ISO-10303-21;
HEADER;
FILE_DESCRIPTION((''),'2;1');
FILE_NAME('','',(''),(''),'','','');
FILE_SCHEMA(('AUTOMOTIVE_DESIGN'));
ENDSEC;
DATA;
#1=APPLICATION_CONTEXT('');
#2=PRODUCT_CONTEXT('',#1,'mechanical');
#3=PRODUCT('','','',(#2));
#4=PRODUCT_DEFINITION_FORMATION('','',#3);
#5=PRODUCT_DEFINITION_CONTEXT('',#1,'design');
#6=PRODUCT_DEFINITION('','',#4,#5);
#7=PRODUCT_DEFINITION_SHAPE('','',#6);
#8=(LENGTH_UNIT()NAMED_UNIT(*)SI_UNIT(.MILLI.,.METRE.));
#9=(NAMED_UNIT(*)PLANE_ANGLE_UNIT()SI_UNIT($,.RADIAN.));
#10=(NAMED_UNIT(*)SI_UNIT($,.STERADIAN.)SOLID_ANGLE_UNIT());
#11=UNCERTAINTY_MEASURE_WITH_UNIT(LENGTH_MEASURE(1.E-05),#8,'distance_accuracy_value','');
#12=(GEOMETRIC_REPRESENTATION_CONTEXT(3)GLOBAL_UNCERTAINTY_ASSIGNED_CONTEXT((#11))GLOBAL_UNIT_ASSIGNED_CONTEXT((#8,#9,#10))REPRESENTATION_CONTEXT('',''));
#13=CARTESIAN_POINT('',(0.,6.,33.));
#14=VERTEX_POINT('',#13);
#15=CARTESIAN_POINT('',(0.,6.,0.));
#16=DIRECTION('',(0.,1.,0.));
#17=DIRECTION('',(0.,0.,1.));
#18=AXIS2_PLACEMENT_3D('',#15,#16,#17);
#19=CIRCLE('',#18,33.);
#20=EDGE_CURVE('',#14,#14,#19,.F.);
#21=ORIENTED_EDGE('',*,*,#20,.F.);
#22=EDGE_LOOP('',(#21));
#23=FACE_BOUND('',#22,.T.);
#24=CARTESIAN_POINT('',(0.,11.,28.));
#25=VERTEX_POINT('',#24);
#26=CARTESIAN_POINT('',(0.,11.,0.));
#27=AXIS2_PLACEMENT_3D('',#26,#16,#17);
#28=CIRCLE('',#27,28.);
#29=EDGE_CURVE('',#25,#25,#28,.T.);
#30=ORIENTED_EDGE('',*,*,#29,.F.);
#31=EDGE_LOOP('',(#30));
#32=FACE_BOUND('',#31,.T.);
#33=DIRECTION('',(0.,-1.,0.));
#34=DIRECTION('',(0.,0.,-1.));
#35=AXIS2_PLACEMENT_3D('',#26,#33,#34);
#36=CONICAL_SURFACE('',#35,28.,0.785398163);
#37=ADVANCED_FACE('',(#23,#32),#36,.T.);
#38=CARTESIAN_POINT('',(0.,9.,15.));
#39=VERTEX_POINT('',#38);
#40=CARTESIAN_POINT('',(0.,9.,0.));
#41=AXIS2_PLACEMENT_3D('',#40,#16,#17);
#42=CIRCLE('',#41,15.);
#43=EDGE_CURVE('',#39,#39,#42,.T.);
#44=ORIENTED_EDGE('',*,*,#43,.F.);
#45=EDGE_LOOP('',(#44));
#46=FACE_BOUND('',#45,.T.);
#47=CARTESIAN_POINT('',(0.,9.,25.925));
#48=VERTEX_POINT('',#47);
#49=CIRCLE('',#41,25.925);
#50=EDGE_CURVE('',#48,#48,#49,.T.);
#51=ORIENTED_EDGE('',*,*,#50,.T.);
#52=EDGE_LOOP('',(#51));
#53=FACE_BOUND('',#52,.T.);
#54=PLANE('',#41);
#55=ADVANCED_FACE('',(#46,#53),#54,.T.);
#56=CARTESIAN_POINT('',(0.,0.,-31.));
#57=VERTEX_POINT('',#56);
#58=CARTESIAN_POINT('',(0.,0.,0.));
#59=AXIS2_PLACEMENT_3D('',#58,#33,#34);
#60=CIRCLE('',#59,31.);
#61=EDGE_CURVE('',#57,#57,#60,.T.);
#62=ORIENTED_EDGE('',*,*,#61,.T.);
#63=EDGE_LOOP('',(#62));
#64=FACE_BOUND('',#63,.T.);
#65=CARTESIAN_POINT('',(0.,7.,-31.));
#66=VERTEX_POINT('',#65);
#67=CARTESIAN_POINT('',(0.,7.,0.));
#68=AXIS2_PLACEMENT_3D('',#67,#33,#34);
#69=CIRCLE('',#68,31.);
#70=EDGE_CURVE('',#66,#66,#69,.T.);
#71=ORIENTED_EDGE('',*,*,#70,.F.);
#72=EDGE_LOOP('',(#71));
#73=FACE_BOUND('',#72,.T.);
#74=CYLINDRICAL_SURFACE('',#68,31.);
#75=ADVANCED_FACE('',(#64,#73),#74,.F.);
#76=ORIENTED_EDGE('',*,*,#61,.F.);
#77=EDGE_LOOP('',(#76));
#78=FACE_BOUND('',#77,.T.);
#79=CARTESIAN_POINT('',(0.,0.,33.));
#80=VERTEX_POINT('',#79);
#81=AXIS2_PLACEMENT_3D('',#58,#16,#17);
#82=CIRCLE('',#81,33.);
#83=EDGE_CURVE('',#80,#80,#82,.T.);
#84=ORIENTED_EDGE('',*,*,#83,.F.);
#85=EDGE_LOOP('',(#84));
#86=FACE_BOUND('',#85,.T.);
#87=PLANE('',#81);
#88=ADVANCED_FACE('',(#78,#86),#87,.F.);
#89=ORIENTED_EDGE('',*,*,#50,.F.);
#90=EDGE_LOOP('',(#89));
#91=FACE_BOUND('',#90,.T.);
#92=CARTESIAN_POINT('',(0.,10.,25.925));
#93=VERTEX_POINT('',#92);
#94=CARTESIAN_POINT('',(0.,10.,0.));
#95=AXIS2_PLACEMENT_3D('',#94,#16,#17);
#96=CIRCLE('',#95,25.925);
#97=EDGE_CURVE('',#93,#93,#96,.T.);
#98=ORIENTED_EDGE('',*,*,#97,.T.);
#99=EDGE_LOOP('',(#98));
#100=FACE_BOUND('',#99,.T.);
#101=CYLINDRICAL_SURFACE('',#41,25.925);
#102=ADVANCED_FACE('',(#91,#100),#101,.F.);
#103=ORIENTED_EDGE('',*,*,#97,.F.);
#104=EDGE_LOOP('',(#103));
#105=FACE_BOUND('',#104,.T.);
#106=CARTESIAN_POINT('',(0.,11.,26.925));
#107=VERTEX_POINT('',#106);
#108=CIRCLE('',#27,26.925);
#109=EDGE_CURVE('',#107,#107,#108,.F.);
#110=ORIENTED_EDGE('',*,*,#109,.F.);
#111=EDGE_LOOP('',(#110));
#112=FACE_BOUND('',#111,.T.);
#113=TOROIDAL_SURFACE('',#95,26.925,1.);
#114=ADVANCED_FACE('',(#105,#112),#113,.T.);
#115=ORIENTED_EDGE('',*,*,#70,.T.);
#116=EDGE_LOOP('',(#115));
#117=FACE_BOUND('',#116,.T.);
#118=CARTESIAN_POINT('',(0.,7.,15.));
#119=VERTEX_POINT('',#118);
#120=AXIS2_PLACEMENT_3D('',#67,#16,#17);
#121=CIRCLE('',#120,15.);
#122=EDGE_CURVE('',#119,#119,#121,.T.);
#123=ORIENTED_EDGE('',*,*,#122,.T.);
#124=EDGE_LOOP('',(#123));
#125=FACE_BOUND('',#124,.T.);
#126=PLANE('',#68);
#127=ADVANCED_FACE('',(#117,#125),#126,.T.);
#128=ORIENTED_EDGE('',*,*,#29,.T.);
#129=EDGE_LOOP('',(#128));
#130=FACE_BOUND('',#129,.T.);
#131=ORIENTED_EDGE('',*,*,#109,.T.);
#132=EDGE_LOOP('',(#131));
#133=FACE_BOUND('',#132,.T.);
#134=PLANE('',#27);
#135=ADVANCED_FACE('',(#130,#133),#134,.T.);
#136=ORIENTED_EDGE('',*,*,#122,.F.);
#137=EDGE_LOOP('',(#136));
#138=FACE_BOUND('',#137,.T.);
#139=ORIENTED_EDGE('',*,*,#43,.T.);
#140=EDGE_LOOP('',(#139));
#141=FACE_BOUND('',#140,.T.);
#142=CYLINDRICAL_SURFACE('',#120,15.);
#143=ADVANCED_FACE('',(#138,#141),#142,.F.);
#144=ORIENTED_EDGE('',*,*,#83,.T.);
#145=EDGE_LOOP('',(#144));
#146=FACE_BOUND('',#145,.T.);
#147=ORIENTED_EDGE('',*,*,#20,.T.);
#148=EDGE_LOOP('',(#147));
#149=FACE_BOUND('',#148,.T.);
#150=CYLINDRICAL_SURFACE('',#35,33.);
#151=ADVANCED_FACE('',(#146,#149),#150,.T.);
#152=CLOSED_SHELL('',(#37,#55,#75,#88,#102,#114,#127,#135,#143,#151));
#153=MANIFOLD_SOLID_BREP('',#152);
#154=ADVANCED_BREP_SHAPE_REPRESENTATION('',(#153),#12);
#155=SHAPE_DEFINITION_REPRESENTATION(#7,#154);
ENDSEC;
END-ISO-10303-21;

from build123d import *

# Parameters (mm, degrees)
IZIM1_R                     = 33
Y_KSEKLIK_EKSTR_ZYON1_DEPTH = 11
IZIM3_R                     = 31
KES_EKSTR_ZYON1_DEPTH       = 7
IZIM4_R                     = 25.925
KES_EKSTR_ZYON2_DEPTH       = 2
RADYUS2_R                   = 1
PAH1_SIZE                   = 5
IZIM5_R                     = 15
KES_EKSTR_ZYON3_DEPTH       = 2


with BuildPart() as part:
    # Çizim1 → Yükseklik-Ekstrüzyon1 (new body)
    with BuildSketch(Plane(origin=(0, 0, 0), x_dir=(1, 0, 0), z_dir=(0, 1, 0))):
        with Locations(Location((0, 0, 0), (0, 0, 270))):
            Circle(IZIM1_R)
    extrude(amount=Y_KSEKLIK_EKSTR_ZYON1_DEPTH)

    # Çizim3 → Kes-Ekstrüzyon1 (cut)
    with BuildSketch(Plane.XZ):
        with Locations(Location((0, 0, 0), (0, 0, 270))):
            Circle(IZIM3_R)
    extrude(amount=-KES_EKSTR_ZYON1_DEPTH, mode=Mode.SUBTRACT)

    # Çizim4 → Kes-Ekstrüzyon2 (cut)
    with BuildSketch(Plane(origin=(0, 11, 0), x_dir=(1, 0, 0), z_dir=(0, 1, 0))):
        with Locations(Location((0, 0, 0), (0, 0, 270))):
            Circle(IZIM4_R)
    extrude(amount=-KES_EKSTR_ZYON2_DEPTH, mode=Mode.SUBTRACT)

    # Radyus2
    radyus2_edges = [part.edges().sort_by_distance(p)[0] for p in [
        (0, 11, -25.925),
    ]]
    fillet(radyus2_edges, radius=RADYUS2_R)

    # Pah1
    pah1_edges = [part.edges().sort_by_distance(p)[0] for p in [
        (0, 11, -33),
    ]]
    chamfer(pah1_edges, length=PAH1_SIZE)

    # Çizim5 → Kes-Ekstrüzyon3 (cut)
    with BuildSketch(Plane(origin=(0, 9, 0), x_dir=(1, 0, 0), z_dir=(0, 1, 0))):
        with Locations(Location((0, 0, 0), (0, 0, 270))):
            Circle(IZIM5_R)
    extrude(amount=-KES_EKSTR_ZYON3_DEPTH, mode=Mode.SUBTRACT)


solid = part.part
